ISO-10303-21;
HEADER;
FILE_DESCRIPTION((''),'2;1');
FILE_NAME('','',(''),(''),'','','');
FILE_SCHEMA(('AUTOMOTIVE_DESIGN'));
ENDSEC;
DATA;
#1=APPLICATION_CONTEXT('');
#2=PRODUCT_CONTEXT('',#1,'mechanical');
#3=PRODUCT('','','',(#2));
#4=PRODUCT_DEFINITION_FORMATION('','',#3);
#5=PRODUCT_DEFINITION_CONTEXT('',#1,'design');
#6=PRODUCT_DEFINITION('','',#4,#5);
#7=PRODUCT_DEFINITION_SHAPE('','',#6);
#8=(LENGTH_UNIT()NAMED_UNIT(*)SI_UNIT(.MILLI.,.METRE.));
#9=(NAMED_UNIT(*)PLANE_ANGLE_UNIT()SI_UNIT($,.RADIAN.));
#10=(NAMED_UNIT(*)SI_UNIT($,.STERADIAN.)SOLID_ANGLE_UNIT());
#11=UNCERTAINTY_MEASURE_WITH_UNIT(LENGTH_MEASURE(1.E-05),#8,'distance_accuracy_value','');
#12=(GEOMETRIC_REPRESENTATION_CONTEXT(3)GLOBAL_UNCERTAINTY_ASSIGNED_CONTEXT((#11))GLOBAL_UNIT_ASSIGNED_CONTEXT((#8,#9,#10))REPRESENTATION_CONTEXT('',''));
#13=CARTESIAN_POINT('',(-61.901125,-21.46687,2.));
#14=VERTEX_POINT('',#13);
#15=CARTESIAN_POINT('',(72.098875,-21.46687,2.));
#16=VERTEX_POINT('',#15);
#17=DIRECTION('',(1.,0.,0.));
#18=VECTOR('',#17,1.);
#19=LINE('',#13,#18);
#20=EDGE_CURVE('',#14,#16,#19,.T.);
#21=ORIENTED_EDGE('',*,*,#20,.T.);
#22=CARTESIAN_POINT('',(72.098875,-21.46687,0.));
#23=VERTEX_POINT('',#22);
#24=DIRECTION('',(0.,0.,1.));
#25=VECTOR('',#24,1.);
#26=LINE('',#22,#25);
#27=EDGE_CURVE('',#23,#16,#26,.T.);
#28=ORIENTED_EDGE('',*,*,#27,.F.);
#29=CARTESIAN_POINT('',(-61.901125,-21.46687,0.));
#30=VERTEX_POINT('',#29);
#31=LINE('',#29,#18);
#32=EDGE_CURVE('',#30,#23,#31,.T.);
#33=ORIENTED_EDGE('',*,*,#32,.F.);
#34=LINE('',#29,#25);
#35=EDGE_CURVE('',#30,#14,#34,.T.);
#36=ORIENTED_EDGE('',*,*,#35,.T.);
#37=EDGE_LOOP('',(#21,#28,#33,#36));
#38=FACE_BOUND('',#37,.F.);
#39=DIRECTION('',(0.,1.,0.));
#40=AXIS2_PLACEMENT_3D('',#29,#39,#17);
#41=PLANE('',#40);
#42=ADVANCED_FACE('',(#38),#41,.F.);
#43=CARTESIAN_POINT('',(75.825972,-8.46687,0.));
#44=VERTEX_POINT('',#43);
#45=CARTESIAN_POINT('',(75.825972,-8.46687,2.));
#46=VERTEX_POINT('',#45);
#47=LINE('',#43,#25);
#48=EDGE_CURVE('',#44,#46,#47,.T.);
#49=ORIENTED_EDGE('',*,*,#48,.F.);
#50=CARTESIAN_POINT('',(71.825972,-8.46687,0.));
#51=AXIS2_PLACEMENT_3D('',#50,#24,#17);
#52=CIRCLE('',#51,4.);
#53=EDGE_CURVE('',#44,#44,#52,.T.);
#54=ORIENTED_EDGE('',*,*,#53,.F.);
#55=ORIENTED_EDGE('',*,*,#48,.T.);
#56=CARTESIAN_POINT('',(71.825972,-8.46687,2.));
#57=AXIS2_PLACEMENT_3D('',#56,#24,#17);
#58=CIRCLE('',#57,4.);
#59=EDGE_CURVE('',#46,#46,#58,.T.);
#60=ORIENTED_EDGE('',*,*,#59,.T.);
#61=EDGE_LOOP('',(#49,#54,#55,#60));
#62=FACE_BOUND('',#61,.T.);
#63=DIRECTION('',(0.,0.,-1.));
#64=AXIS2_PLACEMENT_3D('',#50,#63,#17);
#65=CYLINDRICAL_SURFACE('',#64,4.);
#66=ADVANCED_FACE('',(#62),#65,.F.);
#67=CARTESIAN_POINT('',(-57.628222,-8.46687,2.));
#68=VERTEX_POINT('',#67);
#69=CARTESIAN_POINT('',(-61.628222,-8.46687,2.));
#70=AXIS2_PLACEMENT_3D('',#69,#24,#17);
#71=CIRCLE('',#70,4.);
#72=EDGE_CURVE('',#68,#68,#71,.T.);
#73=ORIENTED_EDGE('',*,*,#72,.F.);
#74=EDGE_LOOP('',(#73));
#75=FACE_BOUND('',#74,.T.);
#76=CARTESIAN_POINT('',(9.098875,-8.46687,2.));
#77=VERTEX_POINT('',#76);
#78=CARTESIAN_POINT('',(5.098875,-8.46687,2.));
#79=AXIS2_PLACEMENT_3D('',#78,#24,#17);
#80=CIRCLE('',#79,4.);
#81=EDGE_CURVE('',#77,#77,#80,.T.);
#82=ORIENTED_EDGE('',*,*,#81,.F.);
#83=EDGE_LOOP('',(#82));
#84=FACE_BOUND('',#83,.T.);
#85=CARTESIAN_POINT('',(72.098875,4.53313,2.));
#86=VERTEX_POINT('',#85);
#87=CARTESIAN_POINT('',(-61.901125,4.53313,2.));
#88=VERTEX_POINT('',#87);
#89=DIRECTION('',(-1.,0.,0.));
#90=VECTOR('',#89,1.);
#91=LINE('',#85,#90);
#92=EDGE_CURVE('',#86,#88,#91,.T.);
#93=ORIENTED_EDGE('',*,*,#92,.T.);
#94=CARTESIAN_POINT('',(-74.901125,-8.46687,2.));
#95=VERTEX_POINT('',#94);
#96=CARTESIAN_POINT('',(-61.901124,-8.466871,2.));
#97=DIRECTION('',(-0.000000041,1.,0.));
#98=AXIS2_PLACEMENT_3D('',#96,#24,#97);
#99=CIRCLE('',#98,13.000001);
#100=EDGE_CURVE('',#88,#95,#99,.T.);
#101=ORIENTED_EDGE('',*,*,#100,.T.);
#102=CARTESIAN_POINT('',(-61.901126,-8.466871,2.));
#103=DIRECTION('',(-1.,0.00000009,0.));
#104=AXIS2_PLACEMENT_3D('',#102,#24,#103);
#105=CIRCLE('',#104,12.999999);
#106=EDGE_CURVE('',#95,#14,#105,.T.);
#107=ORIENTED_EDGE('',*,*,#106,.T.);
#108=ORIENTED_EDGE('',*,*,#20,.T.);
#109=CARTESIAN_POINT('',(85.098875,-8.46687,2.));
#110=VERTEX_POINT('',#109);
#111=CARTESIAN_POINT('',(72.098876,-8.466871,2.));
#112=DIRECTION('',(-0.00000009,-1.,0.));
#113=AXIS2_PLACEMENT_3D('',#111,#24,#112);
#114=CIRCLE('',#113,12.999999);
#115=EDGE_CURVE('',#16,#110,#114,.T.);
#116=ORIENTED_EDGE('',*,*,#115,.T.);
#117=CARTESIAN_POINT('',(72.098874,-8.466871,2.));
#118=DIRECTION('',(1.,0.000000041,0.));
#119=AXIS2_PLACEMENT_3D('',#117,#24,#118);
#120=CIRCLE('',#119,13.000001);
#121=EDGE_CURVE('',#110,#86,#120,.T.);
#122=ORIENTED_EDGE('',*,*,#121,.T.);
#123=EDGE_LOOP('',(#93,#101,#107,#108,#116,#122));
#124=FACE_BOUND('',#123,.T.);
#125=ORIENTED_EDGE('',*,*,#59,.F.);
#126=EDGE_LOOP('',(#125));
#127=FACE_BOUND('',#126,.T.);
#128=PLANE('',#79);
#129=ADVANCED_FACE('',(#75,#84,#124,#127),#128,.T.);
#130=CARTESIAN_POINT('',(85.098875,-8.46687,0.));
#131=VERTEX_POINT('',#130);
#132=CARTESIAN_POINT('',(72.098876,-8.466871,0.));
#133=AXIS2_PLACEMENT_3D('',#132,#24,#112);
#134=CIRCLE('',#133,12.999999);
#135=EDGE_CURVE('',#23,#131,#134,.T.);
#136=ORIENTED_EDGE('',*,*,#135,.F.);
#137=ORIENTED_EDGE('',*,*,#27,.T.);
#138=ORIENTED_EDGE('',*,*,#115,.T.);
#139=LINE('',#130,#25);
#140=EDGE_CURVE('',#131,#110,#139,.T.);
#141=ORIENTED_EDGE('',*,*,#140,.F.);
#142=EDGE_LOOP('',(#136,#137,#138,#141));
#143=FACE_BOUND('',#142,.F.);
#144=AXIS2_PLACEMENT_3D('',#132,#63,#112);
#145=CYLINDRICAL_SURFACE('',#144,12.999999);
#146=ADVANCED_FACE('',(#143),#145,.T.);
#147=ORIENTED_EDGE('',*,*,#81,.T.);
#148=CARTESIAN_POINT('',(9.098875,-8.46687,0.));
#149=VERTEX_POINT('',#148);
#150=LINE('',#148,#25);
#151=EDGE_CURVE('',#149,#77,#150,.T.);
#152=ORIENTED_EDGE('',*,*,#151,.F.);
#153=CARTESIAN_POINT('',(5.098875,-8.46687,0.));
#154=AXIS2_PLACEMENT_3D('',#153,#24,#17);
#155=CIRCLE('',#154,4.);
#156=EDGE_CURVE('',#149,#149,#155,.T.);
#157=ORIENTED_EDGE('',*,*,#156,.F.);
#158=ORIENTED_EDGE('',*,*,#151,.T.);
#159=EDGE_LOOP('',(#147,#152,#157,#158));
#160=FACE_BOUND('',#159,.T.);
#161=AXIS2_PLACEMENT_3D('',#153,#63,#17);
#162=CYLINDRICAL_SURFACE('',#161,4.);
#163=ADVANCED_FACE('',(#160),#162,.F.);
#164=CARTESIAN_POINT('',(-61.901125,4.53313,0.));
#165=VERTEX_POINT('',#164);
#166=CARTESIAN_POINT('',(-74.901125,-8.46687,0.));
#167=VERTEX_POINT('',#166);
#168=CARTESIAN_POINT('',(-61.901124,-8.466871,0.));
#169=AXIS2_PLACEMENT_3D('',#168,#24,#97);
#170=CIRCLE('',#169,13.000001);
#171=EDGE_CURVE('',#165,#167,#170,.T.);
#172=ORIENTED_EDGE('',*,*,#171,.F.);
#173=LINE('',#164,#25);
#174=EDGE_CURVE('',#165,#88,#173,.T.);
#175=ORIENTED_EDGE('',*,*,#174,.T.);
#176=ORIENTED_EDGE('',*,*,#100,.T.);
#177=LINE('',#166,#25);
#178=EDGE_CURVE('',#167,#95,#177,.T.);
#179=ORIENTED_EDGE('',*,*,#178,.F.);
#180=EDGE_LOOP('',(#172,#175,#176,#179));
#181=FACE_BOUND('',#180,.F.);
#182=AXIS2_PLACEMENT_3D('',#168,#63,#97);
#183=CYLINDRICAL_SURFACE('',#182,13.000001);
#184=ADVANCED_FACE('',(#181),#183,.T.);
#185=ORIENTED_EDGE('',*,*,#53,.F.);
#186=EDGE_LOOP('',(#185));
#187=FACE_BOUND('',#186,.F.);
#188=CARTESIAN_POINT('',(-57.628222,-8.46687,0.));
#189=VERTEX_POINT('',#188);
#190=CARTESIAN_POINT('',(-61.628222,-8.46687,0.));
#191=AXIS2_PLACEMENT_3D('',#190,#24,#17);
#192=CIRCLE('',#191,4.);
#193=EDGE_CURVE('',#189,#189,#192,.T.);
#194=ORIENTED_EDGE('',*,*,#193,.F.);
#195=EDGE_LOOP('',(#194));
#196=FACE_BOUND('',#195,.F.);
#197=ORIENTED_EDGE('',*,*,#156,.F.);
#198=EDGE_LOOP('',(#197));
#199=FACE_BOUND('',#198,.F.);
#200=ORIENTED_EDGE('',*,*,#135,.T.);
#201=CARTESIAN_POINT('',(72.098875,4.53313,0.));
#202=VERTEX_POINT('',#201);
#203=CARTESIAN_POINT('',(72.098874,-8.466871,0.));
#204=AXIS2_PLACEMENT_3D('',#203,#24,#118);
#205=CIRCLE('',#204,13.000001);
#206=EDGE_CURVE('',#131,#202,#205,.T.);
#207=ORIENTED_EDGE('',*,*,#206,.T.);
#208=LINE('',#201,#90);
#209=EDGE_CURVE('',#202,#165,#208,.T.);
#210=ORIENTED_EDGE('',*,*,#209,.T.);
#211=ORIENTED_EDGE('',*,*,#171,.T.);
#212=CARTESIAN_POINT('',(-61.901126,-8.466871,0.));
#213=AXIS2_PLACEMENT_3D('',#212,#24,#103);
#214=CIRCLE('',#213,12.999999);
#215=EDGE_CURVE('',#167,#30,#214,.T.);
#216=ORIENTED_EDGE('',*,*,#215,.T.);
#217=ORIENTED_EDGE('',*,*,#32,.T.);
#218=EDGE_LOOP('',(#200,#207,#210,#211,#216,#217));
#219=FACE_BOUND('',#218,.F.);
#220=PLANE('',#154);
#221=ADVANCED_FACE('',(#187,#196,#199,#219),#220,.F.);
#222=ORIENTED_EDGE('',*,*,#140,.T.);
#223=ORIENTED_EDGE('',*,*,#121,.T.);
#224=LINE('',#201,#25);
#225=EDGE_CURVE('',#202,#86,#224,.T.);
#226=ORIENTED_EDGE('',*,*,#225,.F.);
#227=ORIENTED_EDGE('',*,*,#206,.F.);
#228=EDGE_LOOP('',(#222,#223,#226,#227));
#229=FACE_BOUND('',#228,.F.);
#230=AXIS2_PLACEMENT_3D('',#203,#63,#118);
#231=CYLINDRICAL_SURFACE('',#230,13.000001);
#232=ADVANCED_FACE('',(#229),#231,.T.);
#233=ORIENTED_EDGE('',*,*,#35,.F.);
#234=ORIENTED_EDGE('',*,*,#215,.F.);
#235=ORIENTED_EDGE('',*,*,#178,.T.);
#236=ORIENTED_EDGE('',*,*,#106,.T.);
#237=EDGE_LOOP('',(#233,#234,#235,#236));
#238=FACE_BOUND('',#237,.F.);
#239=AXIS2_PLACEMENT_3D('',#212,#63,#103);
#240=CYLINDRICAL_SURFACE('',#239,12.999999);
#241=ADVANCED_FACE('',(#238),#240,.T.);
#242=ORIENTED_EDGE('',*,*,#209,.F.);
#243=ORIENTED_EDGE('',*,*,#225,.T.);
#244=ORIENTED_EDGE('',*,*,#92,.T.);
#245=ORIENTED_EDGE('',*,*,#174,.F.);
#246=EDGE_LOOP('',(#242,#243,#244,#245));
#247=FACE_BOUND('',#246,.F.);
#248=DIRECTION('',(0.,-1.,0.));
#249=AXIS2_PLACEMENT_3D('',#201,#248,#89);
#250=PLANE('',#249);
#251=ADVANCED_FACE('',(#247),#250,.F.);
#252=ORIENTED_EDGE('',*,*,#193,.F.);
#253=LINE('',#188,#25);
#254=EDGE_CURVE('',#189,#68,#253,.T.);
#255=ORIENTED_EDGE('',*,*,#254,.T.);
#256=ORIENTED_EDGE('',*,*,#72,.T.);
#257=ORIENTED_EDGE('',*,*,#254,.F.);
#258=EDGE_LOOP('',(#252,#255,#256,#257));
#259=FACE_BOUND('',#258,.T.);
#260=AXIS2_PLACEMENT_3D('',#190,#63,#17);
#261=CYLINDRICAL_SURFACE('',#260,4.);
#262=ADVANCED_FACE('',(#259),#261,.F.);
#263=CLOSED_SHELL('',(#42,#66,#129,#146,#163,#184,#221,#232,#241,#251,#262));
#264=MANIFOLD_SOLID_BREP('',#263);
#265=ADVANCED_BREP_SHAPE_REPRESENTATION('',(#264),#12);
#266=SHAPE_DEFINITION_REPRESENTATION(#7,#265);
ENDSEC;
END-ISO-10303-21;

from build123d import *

# Parameters (mm, degrees)
F0_R     = 4
F1_DEPTH = 2


with BuildPart() as f1:
    # F0 (on Top) → F1 (new body)
    with BuildSketch(Plane.XY):
        with BuildLine():
            Line((72.098875, 4.53313), (-61.901125, 4.53313))
            ThreePointArc((-61.901125, 4.53313), (-71.093513, 0.725518), (-74.901125, -8.46687))
            ThreePointArc((-74.901125, -8.46687), (-71.093513, -17.659259), (-61.901125, -21.46687))
            Line((-61.901125, -21.46687), (72.098875, -21.46687))
            ThreePointArc((72.098875, -21.46687), (81.291263, -17.659259), (85.098875, -8.46687))
            ThreePointArc((85.098875, -8.46687), (81.291263, 0.725518), (72.098875, 4.53313))
        make_face()
        with Locations((-61.628222, -8.46687)):
            Circle(F0_R, mode=Mode.SUBTRACT)
        with Locations((5.098875, -8.46687)):
            Circle(F0_R, mode=Mode.SUBTRACT)
        with Locations((71.825972, -8.46687)):
            Circle(F0_R, mode=Mode.SUBTRACT)
    extrude(amount=F1_DEPTH)


solid = f1.part
